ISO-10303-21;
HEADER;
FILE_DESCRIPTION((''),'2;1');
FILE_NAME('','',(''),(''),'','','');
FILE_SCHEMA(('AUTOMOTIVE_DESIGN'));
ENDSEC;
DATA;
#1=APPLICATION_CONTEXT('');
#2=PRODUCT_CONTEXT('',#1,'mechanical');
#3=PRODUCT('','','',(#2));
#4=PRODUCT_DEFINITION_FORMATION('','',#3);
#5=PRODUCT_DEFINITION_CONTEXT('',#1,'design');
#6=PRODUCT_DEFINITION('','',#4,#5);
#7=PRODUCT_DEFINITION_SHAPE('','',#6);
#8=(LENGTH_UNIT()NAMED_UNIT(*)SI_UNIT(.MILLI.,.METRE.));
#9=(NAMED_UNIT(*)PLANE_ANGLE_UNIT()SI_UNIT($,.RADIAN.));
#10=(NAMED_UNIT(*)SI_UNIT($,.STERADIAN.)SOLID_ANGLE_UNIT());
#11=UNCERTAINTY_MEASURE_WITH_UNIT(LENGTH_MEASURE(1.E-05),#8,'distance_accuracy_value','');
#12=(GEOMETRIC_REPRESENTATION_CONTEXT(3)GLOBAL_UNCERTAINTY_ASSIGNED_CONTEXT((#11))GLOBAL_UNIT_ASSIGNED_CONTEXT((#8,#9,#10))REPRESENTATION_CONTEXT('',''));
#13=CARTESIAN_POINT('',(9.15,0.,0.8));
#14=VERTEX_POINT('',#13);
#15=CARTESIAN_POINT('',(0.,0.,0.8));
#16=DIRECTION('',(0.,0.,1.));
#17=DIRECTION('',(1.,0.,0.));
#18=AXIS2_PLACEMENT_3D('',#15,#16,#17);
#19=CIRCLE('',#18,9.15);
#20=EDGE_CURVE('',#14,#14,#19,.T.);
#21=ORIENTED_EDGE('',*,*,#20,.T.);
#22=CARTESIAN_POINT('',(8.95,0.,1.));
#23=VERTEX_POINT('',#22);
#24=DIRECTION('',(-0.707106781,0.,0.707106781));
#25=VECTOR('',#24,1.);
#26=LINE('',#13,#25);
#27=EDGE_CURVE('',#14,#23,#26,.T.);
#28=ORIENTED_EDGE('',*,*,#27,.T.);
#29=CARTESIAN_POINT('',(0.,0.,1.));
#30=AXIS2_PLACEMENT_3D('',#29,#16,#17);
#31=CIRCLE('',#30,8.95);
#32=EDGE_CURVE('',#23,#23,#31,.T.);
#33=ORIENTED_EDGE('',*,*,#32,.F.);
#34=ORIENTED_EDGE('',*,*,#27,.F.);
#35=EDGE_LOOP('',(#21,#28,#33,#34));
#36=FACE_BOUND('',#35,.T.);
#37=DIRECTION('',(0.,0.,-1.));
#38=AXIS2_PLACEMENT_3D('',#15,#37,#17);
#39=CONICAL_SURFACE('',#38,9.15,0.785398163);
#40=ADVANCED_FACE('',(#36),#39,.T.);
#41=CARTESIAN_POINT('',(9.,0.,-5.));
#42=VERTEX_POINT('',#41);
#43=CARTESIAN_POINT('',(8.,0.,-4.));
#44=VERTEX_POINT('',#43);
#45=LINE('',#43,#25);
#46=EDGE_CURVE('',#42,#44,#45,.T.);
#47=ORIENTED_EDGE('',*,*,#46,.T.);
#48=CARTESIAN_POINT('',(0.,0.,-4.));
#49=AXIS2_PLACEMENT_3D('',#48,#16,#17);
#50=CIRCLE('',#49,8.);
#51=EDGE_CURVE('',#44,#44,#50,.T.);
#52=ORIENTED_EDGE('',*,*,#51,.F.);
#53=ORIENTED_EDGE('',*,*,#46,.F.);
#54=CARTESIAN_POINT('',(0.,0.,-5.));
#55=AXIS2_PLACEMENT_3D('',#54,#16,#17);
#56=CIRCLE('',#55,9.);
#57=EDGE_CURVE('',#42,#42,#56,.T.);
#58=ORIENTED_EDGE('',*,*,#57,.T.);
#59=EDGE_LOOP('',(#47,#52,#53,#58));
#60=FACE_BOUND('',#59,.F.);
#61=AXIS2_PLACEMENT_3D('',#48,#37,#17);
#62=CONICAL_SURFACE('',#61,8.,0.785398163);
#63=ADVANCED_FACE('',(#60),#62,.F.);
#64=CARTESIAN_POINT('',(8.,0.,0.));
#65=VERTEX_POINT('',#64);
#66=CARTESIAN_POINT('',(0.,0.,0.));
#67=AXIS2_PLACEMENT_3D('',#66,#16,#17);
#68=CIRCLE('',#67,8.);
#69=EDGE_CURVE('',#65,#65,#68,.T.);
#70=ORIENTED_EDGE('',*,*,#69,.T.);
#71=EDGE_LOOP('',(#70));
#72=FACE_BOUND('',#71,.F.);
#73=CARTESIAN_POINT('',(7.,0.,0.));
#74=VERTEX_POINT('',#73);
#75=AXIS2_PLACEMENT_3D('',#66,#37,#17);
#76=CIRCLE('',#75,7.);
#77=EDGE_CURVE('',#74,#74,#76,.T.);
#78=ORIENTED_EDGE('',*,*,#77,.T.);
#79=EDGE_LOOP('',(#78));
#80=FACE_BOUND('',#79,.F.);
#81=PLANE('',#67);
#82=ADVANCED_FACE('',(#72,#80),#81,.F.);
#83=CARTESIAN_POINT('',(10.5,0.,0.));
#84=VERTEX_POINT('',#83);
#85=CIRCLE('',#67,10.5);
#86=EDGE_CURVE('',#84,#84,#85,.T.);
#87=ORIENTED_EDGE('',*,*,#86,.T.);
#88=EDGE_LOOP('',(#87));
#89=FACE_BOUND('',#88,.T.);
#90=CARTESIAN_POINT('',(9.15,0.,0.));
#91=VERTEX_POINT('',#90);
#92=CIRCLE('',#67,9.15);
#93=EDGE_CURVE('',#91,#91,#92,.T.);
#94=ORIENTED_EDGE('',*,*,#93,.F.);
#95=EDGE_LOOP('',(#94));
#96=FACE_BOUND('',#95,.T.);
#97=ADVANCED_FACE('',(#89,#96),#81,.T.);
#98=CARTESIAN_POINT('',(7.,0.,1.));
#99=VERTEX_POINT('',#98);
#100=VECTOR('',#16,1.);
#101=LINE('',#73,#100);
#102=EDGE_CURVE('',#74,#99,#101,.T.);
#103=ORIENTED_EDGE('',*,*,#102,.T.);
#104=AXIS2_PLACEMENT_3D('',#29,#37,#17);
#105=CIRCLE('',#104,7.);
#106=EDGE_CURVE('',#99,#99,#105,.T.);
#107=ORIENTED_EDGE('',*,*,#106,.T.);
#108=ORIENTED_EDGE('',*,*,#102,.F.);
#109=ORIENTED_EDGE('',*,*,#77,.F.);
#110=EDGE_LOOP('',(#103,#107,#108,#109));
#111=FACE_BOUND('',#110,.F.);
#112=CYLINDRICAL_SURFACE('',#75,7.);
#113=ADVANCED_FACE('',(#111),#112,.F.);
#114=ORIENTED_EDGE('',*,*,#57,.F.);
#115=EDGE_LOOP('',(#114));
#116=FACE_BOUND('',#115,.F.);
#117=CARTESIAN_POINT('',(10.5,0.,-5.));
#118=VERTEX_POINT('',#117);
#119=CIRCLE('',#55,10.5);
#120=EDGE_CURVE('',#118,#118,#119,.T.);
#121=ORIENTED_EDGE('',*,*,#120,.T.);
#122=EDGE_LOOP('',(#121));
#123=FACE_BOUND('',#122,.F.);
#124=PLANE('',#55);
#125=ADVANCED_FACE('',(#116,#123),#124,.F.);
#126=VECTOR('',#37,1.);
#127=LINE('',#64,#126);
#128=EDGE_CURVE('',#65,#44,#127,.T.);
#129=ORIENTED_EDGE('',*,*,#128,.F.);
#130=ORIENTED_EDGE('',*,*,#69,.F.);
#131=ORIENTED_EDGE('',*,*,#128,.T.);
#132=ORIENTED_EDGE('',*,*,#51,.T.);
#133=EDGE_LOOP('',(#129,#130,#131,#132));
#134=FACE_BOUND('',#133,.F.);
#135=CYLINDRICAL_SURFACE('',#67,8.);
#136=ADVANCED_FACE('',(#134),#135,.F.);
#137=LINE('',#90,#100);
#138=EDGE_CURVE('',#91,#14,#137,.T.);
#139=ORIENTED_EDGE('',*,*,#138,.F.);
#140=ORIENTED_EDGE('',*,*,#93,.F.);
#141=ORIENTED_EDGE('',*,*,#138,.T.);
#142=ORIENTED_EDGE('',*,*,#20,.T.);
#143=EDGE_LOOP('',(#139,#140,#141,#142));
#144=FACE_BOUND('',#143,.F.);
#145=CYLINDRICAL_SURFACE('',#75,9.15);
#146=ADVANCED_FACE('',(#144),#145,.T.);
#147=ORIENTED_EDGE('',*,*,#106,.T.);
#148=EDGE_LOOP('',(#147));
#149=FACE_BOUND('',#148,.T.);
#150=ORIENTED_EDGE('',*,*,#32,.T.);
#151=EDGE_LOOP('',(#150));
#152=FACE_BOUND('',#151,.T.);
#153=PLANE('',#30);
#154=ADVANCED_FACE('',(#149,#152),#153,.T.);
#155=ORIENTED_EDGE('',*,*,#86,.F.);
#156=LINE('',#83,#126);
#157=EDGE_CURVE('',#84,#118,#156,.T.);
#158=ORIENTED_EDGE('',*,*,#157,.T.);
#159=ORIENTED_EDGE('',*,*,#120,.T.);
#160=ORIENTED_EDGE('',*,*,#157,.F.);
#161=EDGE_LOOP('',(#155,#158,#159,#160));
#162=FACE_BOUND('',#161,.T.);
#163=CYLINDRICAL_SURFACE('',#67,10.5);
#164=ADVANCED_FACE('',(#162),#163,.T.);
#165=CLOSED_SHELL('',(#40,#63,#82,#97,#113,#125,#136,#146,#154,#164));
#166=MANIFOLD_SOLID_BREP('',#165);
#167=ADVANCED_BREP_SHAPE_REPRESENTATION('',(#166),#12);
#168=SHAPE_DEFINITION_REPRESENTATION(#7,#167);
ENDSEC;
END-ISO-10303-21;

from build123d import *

# Parameters (mm, degrees)
SKETCH_R        = 9.15
PAD_DEPTH       = 1
SKETCH001_R     = 10.5
SKETCH001_R_2   = 8
PAD001_DEPTH    = 5
SKETCH002_R     = 7
POCKET_DEPTH    = 1.001
CHAMFER_SIZE    = 1
CHAMFER001_SIZE = 0.2


with BuildPart() as part:
    # Sketch → Pad (new body)
    with BuildSketch(Plane.XY):
        Circle(SKETCH_R)
    extrude(amount=PAD_DEPTH)

    # Sketch001 → Pad001 (join)
    with BuildSketch(Plane.XY):
        Circle(SKETCH001_R)
        Circle(SKETCH001_R_2, mode=Mode.SUBTRACT)
    extrude(amount=-PAD001_DEPTH)

    # Sketch002 (on Face7 of Pad001) → Pocket (cut, through all)
    with BuildSketch(Plane(origin=(0, 0, 0), x_dir=(1, 0, 0), z_dir=(0, 0, -1))):
        Circle(SKETCH002_R)
    extrude(amount=-POCKET_DEPTH, mode=Mode.SUBTRACT)

    # Chamfer
    chamfer_edges = [part.edges().sort_by_distance(p)[0] for p in [
        (-8, 0, -5),
    ]]
    chamfer(chamfer_edges, length=CHAMFER_SIZE)

    # Chamfer001
    chamfer001_edges = [part.edges().sort_by_distance(p)[0] for p in [
        (-9.15, 0, 1),
    ]]
    chamfer(chamfer001_edges, length=CHAMFER001_SIZE)


solid = part.part
